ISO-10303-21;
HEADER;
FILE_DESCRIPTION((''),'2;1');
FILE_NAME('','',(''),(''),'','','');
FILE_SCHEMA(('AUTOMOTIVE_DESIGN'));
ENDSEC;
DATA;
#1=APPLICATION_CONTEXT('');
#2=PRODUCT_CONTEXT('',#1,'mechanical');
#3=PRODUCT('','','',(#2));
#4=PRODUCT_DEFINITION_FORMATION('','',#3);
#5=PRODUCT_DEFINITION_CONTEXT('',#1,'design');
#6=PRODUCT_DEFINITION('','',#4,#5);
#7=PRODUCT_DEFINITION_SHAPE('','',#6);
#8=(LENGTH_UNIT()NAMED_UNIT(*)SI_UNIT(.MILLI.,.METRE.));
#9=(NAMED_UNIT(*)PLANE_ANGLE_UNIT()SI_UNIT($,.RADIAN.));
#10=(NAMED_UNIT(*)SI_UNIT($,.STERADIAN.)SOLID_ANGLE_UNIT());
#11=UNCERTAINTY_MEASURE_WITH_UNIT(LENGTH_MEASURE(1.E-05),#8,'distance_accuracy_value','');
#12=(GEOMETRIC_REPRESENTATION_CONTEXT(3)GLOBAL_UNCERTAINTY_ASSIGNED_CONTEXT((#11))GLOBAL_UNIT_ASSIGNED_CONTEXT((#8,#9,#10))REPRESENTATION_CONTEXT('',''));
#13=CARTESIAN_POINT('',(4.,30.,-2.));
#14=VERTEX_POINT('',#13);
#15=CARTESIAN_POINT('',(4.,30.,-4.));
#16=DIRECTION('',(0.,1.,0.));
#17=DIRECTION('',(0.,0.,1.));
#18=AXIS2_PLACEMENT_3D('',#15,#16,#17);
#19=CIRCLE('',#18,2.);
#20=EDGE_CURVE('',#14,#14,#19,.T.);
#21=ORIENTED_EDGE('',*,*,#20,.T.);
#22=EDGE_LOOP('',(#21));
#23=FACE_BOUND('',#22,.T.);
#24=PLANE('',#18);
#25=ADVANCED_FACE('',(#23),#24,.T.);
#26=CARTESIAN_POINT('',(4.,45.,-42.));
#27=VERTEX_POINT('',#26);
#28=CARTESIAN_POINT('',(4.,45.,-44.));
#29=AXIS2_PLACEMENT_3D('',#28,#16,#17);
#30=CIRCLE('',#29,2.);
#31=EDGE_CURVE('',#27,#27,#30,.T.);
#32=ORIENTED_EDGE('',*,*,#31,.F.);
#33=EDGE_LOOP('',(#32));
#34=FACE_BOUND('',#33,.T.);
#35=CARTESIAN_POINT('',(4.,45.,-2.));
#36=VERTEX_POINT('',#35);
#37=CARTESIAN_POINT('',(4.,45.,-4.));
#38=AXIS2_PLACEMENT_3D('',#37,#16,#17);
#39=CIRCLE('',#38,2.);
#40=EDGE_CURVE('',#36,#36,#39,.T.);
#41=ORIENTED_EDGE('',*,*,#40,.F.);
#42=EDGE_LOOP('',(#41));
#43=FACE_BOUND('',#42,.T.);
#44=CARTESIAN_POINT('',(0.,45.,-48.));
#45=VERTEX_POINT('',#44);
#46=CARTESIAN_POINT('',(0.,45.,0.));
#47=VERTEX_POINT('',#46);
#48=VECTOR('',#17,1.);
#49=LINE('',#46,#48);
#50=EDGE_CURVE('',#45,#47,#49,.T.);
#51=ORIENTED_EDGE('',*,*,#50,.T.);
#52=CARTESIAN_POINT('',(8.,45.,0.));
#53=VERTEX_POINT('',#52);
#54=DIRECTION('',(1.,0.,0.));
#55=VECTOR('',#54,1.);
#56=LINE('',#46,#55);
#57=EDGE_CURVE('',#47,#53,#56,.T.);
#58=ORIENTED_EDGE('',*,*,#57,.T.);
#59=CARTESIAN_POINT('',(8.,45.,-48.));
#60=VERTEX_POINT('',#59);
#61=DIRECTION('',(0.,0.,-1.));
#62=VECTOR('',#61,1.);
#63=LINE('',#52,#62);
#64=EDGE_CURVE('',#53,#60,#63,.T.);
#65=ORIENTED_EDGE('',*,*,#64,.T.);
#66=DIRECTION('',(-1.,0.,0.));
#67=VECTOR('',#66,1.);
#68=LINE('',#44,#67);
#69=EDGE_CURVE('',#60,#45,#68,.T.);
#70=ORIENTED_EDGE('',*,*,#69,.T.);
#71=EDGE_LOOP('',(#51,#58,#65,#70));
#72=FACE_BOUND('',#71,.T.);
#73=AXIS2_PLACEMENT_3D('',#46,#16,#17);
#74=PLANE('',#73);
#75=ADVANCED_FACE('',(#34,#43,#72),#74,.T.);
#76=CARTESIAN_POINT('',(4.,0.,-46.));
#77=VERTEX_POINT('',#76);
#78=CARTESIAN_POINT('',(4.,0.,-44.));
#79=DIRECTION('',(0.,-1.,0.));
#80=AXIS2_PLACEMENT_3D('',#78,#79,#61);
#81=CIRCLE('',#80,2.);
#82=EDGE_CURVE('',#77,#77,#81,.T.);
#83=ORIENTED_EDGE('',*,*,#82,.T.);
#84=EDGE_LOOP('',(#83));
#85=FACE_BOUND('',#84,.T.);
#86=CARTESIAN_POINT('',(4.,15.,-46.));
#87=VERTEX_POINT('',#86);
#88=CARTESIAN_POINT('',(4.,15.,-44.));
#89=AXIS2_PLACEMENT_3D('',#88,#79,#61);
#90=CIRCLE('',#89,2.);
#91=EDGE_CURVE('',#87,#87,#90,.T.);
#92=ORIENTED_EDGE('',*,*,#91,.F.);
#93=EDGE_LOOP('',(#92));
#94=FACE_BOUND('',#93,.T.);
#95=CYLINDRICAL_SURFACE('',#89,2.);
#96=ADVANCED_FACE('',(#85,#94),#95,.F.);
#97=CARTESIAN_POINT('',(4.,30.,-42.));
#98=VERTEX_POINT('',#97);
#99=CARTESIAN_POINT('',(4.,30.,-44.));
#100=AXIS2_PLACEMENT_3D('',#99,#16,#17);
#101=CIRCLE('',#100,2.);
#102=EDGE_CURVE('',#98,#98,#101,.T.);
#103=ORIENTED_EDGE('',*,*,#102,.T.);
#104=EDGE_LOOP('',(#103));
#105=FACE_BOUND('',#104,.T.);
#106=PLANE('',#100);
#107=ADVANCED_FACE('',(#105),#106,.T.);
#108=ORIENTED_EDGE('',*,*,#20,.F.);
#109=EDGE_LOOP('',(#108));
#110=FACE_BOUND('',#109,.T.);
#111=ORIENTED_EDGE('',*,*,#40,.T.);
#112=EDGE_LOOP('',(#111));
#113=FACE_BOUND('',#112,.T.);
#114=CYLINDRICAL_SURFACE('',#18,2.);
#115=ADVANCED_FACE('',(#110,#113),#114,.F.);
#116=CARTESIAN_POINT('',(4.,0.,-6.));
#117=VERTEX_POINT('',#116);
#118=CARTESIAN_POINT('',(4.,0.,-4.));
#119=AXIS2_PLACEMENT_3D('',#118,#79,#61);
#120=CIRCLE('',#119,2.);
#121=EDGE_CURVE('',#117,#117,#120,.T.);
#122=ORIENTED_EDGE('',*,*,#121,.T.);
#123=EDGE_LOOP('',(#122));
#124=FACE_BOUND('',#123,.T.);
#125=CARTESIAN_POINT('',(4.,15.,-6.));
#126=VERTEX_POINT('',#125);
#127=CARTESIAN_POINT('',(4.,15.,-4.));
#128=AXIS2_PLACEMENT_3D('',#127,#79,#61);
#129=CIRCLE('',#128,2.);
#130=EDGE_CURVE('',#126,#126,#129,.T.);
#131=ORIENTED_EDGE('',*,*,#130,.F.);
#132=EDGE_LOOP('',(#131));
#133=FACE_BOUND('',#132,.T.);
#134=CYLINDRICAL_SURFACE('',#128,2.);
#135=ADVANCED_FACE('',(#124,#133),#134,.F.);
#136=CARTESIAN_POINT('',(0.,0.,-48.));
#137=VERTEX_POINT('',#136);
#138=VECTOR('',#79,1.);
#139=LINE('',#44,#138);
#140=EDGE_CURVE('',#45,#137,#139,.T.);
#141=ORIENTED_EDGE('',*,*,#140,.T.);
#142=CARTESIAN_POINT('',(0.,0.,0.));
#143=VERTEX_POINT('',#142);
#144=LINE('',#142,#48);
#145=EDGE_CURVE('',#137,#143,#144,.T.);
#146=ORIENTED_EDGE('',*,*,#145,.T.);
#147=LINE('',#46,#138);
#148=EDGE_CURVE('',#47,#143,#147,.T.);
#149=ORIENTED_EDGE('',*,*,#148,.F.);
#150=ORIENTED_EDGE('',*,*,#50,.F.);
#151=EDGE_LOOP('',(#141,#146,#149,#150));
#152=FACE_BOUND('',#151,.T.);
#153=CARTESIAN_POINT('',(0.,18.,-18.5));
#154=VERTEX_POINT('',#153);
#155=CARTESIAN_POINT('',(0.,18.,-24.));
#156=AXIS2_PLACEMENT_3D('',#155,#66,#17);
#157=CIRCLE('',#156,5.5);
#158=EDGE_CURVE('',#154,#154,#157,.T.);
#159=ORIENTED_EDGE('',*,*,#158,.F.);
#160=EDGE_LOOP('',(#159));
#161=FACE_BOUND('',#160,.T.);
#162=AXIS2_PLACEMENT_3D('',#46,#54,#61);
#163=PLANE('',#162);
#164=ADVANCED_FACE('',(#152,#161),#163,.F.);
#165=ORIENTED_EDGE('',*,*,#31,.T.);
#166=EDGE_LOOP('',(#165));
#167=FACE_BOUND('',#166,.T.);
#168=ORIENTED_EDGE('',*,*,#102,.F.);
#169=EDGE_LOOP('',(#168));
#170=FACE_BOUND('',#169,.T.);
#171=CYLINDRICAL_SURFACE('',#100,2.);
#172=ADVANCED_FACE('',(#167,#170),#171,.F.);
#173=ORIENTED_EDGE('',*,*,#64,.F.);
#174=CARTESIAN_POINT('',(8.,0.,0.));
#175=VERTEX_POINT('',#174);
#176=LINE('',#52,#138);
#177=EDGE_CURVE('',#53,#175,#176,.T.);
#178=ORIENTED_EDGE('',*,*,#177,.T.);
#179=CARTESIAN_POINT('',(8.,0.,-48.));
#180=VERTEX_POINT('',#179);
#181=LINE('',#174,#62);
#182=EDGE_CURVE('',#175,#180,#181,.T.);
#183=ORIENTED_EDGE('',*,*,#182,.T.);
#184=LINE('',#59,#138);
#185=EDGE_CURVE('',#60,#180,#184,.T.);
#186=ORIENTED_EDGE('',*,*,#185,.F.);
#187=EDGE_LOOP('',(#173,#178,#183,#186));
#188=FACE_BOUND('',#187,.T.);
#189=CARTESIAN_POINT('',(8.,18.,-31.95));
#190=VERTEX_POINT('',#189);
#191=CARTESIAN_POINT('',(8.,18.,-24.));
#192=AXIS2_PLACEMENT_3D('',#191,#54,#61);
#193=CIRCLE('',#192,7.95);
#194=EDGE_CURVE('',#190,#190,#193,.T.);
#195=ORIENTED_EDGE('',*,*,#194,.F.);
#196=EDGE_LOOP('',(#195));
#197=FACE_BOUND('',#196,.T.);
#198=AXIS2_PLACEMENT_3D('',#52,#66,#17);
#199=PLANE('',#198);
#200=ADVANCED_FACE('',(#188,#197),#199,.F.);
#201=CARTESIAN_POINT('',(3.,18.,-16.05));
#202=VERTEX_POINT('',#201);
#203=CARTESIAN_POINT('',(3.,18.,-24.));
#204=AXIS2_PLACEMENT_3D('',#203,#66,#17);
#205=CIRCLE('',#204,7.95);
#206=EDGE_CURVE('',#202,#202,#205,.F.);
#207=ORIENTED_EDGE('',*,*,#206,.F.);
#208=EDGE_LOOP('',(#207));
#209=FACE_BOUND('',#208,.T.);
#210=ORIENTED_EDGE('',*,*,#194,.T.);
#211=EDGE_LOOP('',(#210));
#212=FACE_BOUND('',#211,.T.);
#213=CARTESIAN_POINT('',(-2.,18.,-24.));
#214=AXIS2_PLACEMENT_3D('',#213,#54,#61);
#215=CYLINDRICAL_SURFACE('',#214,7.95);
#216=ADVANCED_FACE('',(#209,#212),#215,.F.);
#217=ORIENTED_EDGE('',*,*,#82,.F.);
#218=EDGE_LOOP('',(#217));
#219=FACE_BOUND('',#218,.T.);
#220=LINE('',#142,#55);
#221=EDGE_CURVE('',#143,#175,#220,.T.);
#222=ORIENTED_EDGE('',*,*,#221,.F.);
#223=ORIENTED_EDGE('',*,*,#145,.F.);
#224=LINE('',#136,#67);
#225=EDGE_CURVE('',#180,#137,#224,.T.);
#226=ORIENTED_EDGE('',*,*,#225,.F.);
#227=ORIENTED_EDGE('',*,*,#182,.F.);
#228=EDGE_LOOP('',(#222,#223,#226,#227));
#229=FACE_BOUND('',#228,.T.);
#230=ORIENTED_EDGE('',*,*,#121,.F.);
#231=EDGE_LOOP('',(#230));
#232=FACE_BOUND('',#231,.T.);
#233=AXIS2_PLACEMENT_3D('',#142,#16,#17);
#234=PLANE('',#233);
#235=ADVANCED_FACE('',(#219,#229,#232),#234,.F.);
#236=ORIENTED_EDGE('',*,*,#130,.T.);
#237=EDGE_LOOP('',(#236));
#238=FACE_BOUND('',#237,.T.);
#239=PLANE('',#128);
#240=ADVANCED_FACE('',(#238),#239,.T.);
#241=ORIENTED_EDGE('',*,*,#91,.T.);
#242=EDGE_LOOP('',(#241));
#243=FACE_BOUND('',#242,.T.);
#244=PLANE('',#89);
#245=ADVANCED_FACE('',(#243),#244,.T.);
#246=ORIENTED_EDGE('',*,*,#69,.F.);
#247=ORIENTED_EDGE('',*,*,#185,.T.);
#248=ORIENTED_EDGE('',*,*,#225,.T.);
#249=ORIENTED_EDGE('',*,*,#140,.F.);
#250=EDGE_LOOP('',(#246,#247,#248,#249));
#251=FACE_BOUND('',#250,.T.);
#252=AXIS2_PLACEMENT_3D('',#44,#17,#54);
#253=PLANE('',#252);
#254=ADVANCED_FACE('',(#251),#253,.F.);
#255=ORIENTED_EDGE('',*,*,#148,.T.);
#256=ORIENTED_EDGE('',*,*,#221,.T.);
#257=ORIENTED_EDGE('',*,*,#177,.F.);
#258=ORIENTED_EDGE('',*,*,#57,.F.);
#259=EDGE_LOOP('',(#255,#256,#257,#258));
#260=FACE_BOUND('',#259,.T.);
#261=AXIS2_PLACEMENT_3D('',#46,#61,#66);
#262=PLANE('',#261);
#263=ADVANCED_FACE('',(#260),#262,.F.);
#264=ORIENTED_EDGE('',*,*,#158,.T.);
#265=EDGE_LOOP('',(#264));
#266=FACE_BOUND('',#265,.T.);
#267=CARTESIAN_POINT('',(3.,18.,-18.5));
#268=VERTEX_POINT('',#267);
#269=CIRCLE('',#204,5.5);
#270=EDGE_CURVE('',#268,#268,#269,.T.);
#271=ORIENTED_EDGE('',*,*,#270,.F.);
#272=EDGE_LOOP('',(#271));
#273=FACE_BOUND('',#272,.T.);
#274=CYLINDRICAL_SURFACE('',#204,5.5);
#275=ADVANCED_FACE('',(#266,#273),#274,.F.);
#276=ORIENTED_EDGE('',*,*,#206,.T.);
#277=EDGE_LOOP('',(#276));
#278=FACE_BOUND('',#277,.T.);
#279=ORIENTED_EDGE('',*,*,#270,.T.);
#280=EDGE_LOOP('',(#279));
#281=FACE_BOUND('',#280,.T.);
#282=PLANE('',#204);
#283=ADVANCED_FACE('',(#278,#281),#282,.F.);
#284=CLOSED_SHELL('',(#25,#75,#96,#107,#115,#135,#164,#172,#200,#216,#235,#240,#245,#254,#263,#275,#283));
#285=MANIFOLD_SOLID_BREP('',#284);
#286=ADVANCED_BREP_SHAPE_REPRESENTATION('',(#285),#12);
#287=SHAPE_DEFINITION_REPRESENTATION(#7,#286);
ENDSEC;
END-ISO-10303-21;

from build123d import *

# Parameters (mm, degrees)
ESQUISSE1_W             = 8
ESQUISSE1_H             = 48
BOSS_EXTRU_1_DEPTH      = 45
ESQUISSE28_R            = 7.95
ENL_V_MAT_EXTRU_1_DEPTH = 10
ESQUISSE29_R            = 8.1
ESQUISSE29_R_2          = 5.5
BOSS_EXTRU_2_DEPTH      = 3
ESQUISSE30_R            = 2
ENL_V_MAT_EXTRU_2_DEPTH = 15
ESQUISSE31_R            = 2
ENL_V_MAT_EXTRU_3_DEPTH = 15


with BuildPart() as part:
    # Esquisse1 → Boss.-Extru.1 (new body)
    with BuildSketch(Plane(origin=(0, 0, 0), x_dir=(1, 0, 0), z_dir=(0, 1, 0))):
        with Locations((4, 24)):
            Rectangle(ESQUISSE1_W, ESQUISSE1_H)
    extrude(amount=BOSS_EXTRU_1_DEPTH)

    # Esquisse28 → Enl_v. mat.-Extru.1 (cut)
    with BuildSketch(Plane(origin=(8, 0, 0), x_dir=(0, 0, -1), z_dir=(1, 0, 0))):
        with Locations((24, 18)):
            Circle(ESQUISSE28_R)
    extrude(amount=-ENL_V_MAT_EXTRU_1_DEPTH, mode=Mode.SUBTRACT)

    # Esquisse29 → Boss.-Extru.2 (add)
    with BuildSketch(Plane.ZY):
        with Locations((-24, 18)):
            Circle(ESQUISSE29_R)
        with Locations((-24, 18)):
            Circle(ESQUISSE29_R_2, mode=Mode.SUBTRACT)
    extrude(amount=-BOSS_EXTRU_2_DEPTH)

    # Esquisse30 → Enl_v. mat.-Extru.2 (cut)
    with BuildSketch(Plane.XZ):
        with Locations((4, -44)):
            Circle(ESQUISSE30_R)
        with Locations((4, -4)):
            Circle(ESQUISSE30_R)
    extrude(amount=-ENL_V_MAT_EXTRU_2_DEPTH, mode=Mode.SUBTRACT)

    # Esquisse31 → Enl_v. mat.-Extru.3 (cut)
    with BuildSketch(Plane(origin=(0, 45, 0), x_dir=(1, 0, 0), z_dir=(0, 1, 0))):
        with Locations((4, 44)):
            Circle(ESQUISSE31_R)
        with Locations((4, 4)):
            Circle(ESQUISSE31_R)
    extrude(amount=-ENL_V_MAT_EXTRU_3_DEPTH, mode=Mode.SUBTRACT)


solid = part.part
